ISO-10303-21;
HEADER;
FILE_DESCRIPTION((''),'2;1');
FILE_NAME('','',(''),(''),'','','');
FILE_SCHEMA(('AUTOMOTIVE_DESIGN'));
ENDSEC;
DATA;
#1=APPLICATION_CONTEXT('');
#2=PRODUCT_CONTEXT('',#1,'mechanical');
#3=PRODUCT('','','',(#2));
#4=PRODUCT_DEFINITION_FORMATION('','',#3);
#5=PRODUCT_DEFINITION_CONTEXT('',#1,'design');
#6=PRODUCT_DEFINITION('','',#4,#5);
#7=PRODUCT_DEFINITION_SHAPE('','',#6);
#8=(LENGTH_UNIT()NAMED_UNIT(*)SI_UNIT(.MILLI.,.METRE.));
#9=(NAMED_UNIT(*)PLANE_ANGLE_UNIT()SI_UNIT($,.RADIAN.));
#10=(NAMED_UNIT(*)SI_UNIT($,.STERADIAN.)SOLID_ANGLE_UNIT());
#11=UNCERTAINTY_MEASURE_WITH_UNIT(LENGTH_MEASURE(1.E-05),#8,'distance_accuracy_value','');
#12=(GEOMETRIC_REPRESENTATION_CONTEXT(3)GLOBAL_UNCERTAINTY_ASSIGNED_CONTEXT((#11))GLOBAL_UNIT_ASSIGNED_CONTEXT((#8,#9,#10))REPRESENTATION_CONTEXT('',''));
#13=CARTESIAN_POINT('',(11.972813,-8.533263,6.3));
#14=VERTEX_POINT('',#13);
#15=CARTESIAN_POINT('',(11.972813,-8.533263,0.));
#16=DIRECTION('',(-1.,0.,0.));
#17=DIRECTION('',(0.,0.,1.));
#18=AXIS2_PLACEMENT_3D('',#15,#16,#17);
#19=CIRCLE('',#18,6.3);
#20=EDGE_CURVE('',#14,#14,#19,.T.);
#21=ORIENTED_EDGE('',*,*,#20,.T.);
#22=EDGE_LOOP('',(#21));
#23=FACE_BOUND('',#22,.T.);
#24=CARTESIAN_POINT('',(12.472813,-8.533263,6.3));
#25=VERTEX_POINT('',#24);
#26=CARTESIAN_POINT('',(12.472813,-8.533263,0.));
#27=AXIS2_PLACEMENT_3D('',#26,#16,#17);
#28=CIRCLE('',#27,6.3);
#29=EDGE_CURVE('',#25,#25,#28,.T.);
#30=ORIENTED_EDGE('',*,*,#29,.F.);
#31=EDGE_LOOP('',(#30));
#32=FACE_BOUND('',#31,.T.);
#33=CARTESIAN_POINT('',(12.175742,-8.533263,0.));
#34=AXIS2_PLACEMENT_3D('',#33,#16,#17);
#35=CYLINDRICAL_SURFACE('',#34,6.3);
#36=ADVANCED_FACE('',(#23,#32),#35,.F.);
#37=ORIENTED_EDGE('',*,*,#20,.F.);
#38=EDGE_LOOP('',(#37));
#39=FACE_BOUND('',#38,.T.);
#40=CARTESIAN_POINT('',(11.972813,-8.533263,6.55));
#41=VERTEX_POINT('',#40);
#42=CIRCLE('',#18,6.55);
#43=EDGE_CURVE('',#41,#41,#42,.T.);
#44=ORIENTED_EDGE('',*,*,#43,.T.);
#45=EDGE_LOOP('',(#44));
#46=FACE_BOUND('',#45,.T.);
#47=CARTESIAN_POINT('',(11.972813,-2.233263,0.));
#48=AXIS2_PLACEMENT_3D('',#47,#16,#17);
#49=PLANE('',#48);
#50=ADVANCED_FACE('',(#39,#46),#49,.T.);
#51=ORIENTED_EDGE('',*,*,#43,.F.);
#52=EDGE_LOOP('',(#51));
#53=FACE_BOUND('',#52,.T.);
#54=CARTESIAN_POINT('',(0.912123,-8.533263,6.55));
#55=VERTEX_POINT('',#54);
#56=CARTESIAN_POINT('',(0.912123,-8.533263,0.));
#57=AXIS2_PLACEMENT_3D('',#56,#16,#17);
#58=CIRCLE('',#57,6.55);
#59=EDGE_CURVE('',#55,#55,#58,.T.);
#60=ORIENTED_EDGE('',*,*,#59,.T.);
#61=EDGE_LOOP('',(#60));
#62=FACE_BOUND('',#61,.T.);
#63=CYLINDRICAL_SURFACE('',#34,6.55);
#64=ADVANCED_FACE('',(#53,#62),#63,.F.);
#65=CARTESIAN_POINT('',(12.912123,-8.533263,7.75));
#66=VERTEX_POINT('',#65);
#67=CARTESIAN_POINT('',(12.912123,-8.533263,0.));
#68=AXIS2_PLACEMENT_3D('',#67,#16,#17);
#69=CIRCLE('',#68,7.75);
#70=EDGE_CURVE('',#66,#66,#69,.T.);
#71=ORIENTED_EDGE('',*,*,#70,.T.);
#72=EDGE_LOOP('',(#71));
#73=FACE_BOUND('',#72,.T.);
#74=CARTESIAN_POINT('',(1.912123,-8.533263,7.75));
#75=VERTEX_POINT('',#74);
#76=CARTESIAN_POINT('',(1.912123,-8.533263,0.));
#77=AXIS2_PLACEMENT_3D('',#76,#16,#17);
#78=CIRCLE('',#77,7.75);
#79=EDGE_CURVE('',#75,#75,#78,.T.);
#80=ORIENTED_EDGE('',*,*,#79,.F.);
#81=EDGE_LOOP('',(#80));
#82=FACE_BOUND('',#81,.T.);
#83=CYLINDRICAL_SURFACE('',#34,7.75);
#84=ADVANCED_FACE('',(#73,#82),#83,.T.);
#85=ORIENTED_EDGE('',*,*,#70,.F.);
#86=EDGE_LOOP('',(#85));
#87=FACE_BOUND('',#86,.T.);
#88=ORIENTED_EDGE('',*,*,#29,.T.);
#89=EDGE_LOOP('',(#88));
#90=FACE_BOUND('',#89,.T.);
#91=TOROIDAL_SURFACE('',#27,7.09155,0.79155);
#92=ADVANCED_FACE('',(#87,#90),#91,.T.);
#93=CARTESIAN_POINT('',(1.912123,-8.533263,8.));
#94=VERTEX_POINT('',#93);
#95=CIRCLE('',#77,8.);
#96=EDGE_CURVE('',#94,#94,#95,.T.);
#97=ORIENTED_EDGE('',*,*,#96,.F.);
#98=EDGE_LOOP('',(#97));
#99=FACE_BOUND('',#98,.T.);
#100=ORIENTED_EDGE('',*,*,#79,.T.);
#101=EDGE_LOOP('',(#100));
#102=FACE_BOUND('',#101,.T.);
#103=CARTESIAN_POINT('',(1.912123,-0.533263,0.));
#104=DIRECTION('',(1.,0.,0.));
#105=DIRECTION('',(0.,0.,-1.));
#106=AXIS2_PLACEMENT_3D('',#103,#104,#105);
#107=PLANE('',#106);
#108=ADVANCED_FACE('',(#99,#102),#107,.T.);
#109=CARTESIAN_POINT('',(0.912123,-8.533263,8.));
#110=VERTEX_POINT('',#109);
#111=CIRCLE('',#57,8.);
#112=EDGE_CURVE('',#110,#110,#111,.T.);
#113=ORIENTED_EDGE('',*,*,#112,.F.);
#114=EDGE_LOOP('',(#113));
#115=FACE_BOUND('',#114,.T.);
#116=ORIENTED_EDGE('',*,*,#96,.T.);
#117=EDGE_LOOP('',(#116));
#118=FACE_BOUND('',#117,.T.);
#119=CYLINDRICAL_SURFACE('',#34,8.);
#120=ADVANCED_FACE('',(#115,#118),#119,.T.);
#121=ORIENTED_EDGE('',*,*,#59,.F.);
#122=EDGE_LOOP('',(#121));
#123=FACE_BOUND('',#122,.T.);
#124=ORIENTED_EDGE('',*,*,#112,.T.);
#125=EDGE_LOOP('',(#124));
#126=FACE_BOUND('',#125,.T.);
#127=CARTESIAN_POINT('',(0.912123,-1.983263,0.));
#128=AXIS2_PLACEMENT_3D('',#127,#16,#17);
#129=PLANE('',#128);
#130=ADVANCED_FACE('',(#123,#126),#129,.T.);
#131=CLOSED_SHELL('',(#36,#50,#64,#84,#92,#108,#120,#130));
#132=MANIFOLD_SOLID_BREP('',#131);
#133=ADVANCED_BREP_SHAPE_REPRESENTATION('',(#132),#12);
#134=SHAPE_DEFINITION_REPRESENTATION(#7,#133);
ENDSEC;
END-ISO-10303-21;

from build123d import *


with BuildPart() as part:
    # Sketch1 → Revolve1 (revolve)
    with BuildSketch(Plane(origin=(0, 0, 0), x_dir=(-1, 0, 0), z_dir=(0, 0, -1)), mode=Mode.PRIVATE) as revolve1_sk:
        with BuildLine():
            Line((-11.972812665, -2.233263235), (-11.972812665, -1.983263235))
            Line((-11.972812665, -1.983263235), (-0.912123334, -1.983263235))
            Line((-0.912123334, -1.983263235), (-0.912123334, -0.533263235))
            Line((-0.912123334, -0.533263235), (-1.912123334, -0.533263235))
            Line((-1.912123334, -0.533263235), (-1.912123334, -0.783263235))
            Line((-1.912123334, -0.783263235), (-12.912123334, -0.783263235))
            ThreePointArc((-12.912123334, -0.783263235), (-13.230357031, -1.671229021), (-12.472812665, -2.233263235))
            Line((-12.472812665, -2.233263235), (-11.972812665, -2.233263235))
        make_face()
    revolve(revolve1_sk.sketch.rotate(Axis((12.175741694, -8.533263235, 0), (-1, 0, 0)), 270), axis=Axis((12.175741694, -8.533263235, 0), (-1, 0, 0)))


solid = part.part
